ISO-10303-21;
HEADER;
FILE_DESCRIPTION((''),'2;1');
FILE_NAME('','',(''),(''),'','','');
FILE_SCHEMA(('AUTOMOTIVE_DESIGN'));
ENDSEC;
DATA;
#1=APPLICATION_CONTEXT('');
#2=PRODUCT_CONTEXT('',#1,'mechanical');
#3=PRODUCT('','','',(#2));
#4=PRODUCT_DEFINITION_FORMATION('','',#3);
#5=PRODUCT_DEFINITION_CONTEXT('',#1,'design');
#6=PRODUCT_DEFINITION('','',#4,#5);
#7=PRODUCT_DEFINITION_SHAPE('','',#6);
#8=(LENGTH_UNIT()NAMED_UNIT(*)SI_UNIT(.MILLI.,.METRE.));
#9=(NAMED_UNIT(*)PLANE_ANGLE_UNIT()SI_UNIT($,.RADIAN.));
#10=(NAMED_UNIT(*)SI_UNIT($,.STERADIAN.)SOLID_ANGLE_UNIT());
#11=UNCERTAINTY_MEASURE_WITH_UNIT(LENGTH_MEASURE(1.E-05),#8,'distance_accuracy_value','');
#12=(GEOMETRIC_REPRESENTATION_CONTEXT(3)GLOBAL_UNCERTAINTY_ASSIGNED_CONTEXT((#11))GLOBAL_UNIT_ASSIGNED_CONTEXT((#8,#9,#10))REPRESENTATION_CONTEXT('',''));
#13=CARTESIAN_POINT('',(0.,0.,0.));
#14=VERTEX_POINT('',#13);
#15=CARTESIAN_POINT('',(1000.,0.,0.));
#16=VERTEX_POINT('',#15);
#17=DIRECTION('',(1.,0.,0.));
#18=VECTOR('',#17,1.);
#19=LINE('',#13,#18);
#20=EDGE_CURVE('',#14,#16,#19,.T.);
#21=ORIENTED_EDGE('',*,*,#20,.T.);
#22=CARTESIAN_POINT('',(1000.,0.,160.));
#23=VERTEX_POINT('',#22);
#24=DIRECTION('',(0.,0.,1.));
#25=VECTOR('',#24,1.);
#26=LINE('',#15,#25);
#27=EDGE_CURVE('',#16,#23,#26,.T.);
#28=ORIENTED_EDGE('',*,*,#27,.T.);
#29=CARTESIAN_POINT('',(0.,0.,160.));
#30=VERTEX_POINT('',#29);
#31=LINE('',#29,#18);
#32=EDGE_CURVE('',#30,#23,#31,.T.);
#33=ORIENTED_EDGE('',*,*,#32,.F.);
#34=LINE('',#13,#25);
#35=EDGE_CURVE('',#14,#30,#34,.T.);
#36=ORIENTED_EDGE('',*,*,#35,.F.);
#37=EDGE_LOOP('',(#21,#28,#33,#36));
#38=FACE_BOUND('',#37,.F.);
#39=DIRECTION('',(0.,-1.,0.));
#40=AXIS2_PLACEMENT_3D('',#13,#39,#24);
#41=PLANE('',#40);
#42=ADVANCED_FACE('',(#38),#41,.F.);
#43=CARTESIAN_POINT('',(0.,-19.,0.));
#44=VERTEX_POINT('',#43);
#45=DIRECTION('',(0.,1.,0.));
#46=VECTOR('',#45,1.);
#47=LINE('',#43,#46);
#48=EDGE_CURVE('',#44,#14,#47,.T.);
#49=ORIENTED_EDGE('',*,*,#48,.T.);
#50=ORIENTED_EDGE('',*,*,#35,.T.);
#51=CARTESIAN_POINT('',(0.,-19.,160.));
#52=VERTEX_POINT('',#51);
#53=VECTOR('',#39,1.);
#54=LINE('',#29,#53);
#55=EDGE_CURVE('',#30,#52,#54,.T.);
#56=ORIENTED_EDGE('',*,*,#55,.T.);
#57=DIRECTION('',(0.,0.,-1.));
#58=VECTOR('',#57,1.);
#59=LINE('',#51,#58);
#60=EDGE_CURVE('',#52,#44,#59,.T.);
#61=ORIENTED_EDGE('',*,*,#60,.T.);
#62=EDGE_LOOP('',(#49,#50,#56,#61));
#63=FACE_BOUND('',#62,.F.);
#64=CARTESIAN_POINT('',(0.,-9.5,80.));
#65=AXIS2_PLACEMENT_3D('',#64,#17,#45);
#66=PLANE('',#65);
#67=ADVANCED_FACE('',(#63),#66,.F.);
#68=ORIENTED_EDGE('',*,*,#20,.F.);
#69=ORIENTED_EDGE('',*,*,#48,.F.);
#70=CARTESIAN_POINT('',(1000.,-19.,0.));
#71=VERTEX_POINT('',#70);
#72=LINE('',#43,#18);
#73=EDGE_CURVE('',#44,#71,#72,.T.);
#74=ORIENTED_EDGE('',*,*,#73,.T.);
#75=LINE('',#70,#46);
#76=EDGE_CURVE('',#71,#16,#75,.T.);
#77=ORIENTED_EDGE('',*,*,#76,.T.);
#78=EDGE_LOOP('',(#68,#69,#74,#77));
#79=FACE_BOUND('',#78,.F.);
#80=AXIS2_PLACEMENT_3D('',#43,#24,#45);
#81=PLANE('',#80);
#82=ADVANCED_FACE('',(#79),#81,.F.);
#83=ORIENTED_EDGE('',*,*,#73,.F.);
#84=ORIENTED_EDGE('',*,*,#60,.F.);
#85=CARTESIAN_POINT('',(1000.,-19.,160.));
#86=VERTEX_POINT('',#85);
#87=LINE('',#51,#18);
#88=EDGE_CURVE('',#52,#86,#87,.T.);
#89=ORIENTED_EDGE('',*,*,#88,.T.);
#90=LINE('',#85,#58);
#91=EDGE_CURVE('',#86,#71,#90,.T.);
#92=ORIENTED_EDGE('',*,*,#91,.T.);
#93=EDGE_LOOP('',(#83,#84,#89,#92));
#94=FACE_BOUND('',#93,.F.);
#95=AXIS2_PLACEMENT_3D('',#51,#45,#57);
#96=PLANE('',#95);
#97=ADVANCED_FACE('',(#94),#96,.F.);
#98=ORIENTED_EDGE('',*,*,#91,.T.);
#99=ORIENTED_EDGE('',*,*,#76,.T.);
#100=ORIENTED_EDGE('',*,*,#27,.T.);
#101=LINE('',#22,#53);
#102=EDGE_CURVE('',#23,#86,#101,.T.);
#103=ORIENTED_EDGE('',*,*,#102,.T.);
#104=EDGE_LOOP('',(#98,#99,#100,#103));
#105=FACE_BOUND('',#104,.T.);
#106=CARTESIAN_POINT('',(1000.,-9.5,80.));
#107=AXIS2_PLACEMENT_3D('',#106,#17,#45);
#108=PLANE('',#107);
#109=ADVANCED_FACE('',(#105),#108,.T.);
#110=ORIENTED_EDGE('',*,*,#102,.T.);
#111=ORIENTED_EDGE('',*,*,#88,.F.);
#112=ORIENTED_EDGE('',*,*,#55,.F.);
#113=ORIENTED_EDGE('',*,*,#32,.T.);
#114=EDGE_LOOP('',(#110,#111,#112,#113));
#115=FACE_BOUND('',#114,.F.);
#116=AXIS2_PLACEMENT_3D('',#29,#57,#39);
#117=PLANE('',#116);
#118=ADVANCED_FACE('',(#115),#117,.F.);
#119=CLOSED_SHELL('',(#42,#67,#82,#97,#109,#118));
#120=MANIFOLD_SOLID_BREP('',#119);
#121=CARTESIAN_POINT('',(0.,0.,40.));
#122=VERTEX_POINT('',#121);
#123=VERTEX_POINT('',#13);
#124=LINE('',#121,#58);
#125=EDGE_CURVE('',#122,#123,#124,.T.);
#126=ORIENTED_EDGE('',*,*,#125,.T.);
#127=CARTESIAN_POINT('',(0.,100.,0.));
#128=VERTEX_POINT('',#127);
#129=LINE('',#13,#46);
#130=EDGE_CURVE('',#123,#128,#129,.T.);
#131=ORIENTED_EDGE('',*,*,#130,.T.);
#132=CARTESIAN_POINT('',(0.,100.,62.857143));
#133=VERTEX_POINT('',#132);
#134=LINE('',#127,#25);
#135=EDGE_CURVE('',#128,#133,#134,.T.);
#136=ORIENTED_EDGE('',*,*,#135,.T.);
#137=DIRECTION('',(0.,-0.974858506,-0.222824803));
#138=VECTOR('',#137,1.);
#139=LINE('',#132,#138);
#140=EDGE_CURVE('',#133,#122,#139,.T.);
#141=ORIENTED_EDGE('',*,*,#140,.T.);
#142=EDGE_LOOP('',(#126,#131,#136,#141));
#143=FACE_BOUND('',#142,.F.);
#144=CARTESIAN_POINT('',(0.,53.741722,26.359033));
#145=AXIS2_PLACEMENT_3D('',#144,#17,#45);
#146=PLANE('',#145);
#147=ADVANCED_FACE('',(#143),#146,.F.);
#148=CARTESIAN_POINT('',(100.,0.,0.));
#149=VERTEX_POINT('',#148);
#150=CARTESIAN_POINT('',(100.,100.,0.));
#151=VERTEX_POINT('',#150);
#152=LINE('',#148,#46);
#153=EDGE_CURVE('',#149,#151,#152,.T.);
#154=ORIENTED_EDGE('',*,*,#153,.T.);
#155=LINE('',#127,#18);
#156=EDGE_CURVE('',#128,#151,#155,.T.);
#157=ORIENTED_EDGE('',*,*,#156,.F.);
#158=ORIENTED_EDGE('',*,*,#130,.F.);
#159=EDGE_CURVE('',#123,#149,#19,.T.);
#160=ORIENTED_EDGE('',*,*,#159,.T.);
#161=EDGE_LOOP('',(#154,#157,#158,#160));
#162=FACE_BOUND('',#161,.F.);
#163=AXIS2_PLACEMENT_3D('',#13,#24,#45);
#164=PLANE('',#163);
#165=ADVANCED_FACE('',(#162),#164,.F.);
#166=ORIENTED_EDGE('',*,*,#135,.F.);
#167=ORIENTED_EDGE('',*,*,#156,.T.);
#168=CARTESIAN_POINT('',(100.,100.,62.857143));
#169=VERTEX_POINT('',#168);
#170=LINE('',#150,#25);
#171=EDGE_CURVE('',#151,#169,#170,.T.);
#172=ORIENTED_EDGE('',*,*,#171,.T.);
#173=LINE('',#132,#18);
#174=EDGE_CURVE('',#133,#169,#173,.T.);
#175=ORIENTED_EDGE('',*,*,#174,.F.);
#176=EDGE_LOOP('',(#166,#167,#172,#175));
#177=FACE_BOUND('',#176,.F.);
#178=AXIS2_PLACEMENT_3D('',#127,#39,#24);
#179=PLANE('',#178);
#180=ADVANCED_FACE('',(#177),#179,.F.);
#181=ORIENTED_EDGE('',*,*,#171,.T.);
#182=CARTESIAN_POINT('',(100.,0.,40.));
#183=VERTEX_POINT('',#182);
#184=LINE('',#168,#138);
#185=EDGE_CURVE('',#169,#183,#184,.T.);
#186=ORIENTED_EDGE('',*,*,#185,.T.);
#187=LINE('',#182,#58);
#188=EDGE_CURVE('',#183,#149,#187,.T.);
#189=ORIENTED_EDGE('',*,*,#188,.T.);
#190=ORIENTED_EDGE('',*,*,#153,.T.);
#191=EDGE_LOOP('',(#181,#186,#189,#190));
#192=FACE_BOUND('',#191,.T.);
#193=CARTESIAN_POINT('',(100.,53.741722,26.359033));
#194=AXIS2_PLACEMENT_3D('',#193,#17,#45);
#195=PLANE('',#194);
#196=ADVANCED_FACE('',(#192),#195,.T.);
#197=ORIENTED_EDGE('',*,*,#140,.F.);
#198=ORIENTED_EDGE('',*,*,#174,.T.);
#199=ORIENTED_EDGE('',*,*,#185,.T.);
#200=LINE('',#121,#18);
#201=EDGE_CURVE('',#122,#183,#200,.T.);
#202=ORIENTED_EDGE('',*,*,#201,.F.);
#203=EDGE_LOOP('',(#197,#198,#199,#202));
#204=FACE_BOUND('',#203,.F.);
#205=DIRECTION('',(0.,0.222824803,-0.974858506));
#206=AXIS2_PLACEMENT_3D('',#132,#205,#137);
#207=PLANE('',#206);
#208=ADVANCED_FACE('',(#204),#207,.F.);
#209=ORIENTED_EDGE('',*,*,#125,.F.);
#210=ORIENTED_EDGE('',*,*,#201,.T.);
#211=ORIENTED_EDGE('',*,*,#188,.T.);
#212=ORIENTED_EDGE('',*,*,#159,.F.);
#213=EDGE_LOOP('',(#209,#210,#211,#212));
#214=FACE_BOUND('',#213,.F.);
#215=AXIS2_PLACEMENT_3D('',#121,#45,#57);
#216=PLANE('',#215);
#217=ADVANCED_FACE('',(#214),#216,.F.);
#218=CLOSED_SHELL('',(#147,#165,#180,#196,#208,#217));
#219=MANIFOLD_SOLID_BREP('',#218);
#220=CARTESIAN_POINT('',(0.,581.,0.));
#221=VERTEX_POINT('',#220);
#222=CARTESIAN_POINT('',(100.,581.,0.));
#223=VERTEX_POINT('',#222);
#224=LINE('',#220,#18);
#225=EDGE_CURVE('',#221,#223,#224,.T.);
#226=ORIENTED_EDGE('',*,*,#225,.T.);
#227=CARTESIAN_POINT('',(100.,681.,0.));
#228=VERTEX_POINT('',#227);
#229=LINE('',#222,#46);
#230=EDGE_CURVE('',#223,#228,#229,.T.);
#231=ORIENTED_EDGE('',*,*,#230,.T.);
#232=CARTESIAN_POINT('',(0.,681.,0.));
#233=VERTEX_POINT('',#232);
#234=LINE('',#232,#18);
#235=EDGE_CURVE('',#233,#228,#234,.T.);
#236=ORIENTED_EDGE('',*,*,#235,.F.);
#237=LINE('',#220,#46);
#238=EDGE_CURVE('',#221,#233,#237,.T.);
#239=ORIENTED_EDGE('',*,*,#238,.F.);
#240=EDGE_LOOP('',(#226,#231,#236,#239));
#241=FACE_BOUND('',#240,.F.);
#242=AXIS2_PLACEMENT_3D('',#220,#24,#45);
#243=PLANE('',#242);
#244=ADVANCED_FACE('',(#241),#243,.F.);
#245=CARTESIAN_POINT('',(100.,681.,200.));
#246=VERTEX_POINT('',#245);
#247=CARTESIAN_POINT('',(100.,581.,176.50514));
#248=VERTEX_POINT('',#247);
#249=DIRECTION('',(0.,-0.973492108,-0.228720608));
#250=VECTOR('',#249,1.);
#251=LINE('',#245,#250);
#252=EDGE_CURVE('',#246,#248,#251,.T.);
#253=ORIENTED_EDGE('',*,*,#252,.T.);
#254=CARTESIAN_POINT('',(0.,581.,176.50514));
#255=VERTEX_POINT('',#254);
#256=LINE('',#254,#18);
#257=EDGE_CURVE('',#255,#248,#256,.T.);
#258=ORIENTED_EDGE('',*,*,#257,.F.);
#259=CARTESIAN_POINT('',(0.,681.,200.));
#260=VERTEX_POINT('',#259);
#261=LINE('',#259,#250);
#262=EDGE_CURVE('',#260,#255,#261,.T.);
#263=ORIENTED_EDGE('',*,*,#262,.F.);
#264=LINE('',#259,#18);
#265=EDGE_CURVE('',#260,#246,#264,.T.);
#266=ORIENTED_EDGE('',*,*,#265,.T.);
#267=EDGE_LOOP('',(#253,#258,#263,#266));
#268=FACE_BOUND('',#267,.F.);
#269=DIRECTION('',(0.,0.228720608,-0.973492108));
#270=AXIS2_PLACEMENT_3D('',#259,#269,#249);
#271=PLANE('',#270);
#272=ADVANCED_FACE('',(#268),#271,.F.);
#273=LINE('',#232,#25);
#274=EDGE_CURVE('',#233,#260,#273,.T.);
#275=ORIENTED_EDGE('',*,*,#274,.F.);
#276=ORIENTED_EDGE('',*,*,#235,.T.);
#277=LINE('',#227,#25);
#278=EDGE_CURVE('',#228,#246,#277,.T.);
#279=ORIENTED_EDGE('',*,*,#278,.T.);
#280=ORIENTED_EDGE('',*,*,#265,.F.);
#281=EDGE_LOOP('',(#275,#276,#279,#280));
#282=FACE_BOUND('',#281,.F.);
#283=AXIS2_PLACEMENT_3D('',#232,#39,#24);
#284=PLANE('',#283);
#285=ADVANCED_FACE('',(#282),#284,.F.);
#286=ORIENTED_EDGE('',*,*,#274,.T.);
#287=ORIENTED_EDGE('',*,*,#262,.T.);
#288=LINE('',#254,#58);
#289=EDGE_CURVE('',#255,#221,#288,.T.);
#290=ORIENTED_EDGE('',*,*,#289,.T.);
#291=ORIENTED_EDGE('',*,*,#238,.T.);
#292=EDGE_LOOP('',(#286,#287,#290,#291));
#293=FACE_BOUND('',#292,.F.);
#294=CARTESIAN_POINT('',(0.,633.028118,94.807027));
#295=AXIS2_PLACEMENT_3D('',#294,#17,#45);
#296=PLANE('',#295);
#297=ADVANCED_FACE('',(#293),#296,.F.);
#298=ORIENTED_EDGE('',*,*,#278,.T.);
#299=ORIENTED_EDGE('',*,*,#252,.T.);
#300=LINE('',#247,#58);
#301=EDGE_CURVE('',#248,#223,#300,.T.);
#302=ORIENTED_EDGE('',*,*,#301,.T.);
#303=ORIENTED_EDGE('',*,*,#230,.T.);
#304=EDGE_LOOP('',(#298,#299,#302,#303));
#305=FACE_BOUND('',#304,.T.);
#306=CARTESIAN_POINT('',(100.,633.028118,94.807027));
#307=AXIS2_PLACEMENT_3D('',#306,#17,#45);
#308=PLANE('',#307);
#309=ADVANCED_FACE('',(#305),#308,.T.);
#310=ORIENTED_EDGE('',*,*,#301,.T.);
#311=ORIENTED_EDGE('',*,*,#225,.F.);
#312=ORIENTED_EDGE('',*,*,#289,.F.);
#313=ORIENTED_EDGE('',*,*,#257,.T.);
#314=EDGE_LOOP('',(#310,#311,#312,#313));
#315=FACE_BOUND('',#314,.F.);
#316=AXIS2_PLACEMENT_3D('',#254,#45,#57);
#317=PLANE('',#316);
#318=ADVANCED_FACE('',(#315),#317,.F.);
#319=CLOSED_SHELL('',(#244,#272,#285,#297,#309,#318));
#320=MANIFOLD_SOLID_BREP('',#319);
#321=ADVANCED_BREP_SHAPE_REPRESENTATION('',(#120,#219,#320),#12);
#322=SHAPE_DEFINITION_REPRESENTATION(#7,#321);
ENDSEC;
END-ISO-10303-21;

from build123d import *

# Parameters (mm, degrees)
F1_DEPTH = 100
F2_DEPTH = 100
F3_DEPTH = 1000


with BuildPart() as f1:
    # F0 (on Right) → F1 (new body)
    with BuildSketch(Plane.YZ):
        Polygon((681, 200), (581, 176.50514), (581, 0), (681, 0), align=None)
    extrude(amount=F1_DEPTH)


with BuildPart() as f2:
    # F0 (on Right) → F2 (new body)
    with BuildSketch(Plane.YZ):
        Polygon((0, 40), (0, 0), (100, 0), (100, 62.857143), align=None)
    extrude(amount=F2_DEPTH)


with BuildPart() as f3:
    # F0 (on Right) → F3 (new body)
    with BuildSketch(Plane.YZ):
        Polygon((-19, 0), (0, 0), (0, 40), (0, 59.517009), (0, 160), (-19, 160), align=None)
    extrude(amount=F3_DEPTH)


solid = Compound([f1.part, f2.part, f3.part])
